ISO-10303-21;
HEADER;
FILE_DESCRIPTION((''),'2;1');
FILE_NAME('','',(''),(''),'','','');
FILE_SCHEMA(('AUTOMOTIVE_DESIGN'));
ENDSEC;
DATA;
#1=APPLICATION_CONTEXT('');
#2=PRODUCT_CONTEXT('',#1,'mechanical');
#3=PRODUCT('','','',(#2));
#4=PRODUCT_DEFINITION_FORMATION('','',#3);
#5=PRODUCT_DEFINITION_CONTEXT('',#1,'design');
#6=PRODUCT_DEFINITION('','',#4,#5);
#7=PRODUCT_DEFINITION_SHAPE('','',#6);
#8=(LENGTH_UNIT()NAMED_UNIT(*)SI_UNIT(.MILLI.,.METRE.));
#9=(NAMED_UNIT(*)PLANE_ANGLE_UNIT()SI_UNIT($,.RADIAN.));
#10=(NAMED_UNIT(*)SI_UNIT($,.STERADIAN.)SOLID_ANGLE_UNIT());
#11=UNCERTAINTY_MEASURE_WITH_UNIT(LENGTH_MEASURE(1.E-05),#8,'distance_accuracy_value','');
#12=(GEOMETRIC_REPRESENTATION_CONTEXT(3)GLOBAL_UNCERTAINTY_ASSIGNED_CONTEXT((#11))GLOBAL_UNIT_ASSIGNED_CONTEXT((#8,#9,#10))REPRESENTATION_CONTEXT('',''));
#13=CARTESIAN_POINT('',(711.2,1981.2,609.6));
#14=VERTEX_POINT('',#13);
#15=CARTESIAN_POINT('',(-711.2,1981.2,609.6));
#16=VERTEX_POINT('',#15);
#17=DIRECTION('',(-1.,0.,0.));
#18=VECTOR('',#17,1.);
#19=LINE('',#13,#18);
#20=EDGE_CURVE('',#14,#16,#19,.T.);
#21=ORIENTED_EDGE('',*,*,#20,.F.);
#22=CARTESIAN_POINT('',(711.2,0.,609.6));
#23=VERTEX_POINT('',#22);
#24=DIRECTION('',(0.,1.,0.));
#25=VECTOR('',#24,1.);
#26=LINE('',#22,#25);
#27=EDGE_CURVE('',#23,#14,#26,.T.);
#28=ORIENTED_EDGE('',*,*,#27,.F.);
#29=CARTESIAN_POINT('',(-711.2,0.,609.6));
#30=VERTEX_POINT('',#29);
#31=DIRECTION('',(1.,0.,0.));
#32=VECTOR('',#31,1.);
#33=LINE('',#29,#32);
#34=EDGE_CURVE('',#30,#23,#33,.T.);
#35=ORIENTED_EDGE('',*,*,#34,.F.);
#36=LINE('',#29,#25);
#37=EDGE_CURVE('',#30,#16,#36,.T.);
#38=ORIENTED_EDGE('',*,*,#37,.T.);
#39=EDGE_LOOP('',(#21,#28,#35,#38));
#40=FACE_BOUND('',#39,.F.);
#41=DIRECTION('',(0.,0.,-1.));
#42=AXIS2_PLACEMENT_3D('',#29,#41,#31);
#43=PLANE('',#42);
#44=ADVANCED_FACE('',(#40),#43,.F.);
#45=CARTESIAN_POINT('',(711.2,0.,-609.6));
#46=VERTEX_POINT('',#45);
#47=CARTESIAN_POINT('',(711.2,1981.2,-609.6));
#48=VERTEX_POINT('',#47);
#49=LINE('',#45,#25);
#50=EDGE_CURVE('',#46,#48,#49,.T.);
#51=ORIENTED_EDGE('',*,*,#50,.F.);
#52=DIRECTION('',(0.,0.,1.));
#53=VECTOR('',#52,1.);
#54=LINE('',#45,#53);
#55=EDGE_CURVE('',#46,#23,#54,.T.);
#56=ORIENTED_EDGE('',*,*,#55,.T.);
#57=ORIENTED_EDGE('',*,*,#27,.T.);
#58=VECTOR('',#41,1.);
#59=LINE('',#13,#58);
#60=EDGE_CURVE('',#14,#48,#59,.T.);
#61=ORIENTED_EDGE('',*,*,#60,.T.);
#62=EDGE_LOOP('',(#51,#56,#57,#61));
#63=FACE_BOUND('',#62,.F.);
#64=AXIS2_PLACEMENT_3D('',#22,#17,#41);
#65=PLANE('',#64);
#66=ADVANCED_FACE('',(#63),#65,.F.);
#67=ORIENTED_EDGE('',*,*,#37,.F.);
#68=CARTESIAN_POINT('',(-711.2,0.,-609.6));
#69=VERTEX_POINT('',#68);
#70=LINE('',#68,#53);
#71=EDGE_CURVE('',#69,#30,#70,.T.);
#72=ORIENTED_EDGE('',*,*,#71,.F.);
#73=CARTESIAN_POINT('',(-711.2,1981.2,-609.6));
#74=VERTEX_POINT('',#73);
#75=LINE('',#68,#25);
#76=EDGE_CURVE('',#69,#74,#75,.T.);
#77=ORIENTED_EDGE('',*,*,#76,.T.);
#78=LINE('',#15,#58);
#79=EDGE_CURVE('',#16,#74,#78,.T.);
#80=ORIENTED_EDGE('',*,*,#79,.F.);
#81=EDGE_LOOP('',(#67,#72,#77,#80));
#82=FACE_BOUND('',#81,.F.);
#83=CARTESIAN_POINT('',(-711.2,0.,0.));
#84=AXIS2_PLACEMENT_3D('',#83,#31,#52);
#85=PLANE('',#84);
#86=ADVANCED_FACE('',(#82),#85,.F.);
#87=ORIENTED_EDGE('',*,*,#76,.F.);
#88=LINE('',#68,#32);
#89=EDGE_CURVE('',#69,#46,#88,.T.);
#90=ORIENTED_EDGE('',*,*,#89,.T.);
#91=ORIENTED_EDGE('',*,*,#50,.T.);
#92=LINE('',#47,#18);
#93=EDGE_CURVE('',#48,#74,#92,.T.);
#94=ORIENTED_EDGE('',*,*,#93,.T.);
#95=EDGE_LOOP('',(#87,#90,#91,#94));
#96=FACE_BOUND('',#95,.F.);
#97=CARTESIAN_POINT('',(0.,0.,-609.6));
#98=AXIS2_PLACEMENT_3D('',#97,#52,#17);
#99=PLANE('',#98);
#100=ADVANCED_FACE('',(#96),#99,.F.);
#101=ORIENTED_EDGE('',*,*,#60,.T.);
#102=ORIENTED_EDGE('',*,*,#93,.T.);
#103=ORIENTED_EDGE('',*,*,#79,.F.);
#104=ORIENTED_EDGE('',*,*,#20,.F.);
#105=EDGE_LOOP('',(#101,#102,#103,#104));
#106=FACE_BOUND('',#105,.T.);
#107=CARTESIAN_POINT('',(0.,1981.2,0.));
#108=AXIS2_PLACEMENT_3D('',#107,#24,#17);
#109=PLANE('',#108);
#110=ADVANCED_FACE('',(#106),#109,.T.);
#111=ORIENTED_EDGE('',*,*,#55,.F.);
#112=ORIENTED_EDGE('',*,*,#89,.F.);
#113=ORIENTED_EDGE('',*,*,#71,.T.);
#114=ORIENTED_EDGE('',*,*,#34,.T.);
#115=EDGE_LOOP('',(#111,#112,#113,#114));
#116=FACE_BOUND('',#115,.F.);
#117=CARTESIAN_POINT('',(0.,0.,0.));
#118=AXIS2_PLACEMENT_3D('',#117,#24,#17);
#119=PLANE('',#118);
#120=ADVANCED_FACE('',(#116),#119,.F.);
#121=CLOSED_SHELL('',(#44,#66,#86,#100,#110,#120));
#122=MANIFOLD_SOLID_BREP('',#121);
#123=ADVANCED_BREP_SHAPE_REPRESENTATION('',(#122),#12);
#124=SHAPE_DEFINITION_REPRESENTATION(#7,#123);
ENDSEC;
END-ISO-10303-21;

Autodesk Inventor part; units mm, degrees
ref_plane "YZ Plane" through (0, 0, 0) normal (1, 0, 0) x (0, 1, 0)
ref_plane "XZ Plane" through (0, 0, 0) normal (0, 1, 0) x (-1, 0, 0)
ref_plane "XY Plane" through (0, 0, 0) normal (0, 0, 1) x (1, 0, 0)
sketch "Sketch1" plane through (0, 0, 0) normal (0, 1, 0) x (-1, 0, 0)
  line L0 (711.2, 609.6) -> (-711.2, 609.6)
  line L1 (-711.2, 609.6) -> (-711.2, -609.6)
  line L2 (-711.2, -609.6) -> (711.2, -609.6)
  line L3 (711.2, -609.6) -> (711.2, 609.6)
  line L4 (0, -853.44) -> (0, 853.44) projected
  line L5 (-995.68, 0) -> (995.68, 0) projected
  point P0 (0, 0)
  dimension "d0" = 1422.4
  dimension "d1" = 1219.2
extrude "Extrusion1" add sketch "Sketch1" along normal blind 1981.2
properties part number "SouthWestWallBlock"
